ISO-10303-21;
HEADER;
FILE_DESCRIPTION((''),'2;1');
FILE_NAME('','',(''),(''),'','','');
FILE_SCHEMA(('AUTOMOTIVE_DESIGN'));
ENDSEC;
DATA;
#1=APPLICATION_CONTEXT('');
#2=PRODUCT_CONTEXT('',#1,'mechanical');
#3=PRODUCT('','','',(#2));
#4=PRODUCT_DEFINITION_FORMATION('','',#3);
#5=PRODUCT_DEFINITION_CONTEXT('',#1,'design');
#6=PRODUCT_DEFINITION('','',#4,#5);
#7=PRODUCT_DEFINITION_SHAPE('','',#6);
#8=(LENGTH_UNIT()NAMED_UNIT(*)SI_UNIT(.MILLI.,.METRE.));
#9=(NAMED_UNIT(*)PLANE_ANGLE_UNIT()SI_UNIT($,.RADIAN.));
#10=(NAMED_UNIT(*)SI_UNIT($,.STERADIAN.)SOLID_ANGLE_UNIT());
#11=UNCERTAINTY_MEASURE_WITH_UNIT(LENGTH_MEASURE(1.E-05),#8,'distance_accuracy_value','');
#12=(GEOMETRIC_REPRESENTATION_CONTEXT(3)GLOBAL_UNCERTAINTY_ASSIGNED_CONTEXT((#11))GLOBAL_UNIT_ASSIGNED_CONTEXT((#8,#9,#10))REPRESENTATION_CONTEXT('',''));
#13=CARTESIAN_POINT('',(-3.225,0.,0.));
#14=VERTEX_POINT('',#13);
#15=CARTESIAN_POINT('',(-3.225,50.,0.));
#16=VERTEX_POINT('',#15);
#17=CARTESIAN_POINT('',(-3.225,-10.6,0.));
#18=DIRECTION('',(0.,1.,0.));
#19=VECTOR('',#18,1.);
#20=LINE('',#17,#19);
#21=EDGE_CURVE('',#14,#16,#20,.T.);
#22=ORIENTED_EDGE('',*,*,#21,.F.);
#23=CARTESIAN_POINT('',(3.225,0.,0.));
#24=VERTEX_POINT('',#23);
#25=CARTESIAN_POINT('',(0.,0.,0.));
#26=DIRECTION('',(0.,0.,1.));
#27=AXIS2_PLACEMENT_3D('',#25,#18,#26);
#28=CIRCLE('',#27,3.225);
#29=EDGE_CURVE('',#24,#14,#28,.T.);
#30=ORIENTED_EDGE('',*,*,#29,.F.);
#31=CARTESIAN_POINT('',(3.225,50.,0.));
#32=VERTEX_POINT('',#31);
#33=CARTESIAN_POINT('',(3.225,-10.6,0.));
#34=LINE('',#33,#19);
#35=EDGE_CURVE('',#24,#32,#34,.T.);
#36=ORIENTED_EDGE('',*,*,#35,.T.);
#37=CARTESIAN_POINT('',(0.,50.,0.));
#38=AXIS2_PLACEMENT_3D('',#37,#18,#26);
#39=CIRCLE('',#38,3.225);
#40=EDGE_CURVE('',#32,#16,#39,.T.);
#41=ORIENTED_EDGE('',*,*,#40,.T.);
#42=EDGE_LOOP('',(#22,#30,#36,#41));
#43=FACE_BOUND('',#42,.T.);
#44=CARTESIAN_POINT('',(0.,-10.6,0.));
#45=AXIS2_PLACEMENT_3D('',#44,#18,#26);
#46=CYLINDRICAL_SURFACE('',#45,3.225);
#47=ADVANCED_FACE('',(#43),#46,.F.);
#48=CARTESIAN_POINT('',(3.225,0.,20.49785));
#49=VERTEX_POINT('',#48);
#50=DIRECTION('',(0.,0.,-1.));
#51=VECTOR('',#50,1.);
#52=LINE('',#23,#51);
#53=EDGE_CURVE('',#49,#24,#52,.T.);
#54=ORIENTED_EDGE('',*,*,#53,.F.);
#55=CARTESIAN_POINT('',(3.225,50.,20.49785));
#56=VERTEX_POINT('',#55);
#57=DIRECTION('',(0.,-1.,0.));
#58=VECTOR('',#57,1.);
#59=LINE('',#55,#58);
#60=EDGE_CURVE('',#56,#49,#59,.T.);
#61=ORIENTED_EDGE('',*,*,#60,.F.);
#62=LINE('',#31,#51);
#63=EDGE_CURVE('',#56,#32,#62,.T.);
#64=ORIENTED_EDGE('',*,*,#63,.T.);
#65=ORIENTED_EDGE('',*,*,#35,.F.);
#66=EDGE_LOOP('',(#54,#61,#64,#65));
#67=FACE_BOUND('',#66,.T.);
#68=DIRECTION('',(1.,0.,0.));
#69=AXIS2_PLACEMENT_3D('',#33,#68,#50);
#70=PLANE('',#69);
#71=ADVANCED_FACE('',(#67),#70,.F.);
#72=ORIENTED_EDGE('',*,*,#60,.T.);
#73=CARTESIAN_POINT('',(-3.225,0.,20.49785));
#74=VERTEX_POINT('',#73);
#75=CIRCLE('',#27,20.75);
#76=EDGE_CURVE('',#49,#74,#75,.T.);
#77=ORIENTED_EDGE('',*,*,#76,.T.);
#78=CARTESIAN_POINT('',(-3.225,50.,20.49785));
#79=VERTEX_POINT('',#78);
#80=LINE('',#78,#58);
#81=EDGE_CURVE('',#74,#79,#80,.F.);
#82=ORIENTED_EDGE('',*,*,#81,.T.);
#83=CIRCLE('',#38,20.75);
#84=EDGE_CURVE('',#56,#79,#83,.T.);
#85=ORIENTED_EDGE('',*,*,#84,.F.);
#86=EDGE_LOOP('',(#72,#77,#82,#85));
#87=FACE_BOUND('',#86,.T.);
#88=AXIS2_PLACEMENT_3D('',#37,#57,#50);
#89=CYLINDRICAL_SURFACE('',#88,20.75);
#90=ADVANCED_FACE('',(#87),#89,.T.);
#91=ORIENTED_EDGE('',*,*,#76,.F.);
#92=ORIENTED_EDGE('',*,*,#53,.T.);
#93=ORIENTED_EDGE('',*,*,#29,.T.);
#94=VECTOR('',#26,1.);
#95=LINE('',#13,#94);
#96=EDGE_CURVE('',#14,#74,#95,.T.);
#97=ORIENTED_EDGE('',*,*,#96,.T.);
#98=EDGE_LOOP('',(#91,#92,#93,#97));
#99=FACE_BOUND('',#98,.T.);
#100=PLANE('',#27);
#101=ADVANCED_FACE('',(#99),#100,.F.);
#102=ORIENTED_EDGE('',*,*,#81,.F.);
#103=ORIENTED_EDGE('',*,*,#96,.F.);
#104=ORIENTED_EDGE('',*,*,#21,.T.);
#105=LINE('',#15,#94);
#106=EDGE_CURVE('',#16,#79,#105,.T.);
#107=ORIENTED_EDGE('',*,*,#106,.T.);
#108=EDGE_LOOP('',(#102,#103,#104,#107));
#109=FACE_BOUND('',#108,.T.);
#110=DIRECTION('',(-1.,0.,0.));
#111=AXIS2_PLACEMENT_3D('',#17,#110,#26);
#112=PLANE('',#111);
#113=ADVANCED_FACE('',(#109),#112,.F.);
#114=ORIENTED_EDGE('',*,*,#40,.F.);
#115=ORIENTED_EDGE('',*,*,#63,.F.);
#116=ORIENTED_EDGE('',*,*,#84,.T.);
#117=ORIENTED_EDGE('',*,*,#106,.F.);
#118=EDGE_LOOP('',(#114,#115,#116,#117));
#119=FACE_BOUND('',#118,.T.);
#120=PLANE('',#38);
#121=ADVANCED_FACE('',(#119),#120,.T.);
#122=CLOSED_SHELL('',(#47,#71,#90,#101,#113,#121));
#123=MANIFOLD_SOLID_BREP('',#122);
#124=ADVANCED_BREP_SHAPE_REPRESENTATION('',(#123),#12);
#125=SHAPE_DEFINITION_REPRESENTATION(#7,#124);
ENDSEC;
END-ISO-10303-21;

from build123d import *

# Parameters (mm, degrees)
SKETCH1_R           = 20.75
BOSS_EXTRUDE1_DEPTH = 50
CUT_EXTRUDE1_DEPTH  = 60.6


with BuildPart() as part:
    # Sketch1 → Boss-Extrude1 (new body)
    with BuildSketch(Plane(origin=(0, 0, 0), x_dir=(1, 0, 0), z_dir=(0, 1, 0))):
        Circle(SKETCH1_R)
    extrude(amount=BOSS_EXTRUDE1_DEPTH)

    # Sketch2 → Cut-Extrude1 (cut)
    with BuildSketch(Plane(origin=(0, 50, 0), x_dir=(1, 0, 0), z_dir=(0, 1, 0))):
        with BuildLine():
            Line((-3.225, 0), (-3.225, -23.125803827))
            Line((-3.225, -23.125803827), (3.225, -23.125803827))
            Line((3.225, -23.125803827), (3.225, 0))
            ThreePointArc((3.225, 0), (0, 3.225), (-3.225, 0))
        make_face()
    extrude(amount=-CUT_EXTRUDE1_DEPTH, mode=Mode.SUBTRACT)


solid = part.part
